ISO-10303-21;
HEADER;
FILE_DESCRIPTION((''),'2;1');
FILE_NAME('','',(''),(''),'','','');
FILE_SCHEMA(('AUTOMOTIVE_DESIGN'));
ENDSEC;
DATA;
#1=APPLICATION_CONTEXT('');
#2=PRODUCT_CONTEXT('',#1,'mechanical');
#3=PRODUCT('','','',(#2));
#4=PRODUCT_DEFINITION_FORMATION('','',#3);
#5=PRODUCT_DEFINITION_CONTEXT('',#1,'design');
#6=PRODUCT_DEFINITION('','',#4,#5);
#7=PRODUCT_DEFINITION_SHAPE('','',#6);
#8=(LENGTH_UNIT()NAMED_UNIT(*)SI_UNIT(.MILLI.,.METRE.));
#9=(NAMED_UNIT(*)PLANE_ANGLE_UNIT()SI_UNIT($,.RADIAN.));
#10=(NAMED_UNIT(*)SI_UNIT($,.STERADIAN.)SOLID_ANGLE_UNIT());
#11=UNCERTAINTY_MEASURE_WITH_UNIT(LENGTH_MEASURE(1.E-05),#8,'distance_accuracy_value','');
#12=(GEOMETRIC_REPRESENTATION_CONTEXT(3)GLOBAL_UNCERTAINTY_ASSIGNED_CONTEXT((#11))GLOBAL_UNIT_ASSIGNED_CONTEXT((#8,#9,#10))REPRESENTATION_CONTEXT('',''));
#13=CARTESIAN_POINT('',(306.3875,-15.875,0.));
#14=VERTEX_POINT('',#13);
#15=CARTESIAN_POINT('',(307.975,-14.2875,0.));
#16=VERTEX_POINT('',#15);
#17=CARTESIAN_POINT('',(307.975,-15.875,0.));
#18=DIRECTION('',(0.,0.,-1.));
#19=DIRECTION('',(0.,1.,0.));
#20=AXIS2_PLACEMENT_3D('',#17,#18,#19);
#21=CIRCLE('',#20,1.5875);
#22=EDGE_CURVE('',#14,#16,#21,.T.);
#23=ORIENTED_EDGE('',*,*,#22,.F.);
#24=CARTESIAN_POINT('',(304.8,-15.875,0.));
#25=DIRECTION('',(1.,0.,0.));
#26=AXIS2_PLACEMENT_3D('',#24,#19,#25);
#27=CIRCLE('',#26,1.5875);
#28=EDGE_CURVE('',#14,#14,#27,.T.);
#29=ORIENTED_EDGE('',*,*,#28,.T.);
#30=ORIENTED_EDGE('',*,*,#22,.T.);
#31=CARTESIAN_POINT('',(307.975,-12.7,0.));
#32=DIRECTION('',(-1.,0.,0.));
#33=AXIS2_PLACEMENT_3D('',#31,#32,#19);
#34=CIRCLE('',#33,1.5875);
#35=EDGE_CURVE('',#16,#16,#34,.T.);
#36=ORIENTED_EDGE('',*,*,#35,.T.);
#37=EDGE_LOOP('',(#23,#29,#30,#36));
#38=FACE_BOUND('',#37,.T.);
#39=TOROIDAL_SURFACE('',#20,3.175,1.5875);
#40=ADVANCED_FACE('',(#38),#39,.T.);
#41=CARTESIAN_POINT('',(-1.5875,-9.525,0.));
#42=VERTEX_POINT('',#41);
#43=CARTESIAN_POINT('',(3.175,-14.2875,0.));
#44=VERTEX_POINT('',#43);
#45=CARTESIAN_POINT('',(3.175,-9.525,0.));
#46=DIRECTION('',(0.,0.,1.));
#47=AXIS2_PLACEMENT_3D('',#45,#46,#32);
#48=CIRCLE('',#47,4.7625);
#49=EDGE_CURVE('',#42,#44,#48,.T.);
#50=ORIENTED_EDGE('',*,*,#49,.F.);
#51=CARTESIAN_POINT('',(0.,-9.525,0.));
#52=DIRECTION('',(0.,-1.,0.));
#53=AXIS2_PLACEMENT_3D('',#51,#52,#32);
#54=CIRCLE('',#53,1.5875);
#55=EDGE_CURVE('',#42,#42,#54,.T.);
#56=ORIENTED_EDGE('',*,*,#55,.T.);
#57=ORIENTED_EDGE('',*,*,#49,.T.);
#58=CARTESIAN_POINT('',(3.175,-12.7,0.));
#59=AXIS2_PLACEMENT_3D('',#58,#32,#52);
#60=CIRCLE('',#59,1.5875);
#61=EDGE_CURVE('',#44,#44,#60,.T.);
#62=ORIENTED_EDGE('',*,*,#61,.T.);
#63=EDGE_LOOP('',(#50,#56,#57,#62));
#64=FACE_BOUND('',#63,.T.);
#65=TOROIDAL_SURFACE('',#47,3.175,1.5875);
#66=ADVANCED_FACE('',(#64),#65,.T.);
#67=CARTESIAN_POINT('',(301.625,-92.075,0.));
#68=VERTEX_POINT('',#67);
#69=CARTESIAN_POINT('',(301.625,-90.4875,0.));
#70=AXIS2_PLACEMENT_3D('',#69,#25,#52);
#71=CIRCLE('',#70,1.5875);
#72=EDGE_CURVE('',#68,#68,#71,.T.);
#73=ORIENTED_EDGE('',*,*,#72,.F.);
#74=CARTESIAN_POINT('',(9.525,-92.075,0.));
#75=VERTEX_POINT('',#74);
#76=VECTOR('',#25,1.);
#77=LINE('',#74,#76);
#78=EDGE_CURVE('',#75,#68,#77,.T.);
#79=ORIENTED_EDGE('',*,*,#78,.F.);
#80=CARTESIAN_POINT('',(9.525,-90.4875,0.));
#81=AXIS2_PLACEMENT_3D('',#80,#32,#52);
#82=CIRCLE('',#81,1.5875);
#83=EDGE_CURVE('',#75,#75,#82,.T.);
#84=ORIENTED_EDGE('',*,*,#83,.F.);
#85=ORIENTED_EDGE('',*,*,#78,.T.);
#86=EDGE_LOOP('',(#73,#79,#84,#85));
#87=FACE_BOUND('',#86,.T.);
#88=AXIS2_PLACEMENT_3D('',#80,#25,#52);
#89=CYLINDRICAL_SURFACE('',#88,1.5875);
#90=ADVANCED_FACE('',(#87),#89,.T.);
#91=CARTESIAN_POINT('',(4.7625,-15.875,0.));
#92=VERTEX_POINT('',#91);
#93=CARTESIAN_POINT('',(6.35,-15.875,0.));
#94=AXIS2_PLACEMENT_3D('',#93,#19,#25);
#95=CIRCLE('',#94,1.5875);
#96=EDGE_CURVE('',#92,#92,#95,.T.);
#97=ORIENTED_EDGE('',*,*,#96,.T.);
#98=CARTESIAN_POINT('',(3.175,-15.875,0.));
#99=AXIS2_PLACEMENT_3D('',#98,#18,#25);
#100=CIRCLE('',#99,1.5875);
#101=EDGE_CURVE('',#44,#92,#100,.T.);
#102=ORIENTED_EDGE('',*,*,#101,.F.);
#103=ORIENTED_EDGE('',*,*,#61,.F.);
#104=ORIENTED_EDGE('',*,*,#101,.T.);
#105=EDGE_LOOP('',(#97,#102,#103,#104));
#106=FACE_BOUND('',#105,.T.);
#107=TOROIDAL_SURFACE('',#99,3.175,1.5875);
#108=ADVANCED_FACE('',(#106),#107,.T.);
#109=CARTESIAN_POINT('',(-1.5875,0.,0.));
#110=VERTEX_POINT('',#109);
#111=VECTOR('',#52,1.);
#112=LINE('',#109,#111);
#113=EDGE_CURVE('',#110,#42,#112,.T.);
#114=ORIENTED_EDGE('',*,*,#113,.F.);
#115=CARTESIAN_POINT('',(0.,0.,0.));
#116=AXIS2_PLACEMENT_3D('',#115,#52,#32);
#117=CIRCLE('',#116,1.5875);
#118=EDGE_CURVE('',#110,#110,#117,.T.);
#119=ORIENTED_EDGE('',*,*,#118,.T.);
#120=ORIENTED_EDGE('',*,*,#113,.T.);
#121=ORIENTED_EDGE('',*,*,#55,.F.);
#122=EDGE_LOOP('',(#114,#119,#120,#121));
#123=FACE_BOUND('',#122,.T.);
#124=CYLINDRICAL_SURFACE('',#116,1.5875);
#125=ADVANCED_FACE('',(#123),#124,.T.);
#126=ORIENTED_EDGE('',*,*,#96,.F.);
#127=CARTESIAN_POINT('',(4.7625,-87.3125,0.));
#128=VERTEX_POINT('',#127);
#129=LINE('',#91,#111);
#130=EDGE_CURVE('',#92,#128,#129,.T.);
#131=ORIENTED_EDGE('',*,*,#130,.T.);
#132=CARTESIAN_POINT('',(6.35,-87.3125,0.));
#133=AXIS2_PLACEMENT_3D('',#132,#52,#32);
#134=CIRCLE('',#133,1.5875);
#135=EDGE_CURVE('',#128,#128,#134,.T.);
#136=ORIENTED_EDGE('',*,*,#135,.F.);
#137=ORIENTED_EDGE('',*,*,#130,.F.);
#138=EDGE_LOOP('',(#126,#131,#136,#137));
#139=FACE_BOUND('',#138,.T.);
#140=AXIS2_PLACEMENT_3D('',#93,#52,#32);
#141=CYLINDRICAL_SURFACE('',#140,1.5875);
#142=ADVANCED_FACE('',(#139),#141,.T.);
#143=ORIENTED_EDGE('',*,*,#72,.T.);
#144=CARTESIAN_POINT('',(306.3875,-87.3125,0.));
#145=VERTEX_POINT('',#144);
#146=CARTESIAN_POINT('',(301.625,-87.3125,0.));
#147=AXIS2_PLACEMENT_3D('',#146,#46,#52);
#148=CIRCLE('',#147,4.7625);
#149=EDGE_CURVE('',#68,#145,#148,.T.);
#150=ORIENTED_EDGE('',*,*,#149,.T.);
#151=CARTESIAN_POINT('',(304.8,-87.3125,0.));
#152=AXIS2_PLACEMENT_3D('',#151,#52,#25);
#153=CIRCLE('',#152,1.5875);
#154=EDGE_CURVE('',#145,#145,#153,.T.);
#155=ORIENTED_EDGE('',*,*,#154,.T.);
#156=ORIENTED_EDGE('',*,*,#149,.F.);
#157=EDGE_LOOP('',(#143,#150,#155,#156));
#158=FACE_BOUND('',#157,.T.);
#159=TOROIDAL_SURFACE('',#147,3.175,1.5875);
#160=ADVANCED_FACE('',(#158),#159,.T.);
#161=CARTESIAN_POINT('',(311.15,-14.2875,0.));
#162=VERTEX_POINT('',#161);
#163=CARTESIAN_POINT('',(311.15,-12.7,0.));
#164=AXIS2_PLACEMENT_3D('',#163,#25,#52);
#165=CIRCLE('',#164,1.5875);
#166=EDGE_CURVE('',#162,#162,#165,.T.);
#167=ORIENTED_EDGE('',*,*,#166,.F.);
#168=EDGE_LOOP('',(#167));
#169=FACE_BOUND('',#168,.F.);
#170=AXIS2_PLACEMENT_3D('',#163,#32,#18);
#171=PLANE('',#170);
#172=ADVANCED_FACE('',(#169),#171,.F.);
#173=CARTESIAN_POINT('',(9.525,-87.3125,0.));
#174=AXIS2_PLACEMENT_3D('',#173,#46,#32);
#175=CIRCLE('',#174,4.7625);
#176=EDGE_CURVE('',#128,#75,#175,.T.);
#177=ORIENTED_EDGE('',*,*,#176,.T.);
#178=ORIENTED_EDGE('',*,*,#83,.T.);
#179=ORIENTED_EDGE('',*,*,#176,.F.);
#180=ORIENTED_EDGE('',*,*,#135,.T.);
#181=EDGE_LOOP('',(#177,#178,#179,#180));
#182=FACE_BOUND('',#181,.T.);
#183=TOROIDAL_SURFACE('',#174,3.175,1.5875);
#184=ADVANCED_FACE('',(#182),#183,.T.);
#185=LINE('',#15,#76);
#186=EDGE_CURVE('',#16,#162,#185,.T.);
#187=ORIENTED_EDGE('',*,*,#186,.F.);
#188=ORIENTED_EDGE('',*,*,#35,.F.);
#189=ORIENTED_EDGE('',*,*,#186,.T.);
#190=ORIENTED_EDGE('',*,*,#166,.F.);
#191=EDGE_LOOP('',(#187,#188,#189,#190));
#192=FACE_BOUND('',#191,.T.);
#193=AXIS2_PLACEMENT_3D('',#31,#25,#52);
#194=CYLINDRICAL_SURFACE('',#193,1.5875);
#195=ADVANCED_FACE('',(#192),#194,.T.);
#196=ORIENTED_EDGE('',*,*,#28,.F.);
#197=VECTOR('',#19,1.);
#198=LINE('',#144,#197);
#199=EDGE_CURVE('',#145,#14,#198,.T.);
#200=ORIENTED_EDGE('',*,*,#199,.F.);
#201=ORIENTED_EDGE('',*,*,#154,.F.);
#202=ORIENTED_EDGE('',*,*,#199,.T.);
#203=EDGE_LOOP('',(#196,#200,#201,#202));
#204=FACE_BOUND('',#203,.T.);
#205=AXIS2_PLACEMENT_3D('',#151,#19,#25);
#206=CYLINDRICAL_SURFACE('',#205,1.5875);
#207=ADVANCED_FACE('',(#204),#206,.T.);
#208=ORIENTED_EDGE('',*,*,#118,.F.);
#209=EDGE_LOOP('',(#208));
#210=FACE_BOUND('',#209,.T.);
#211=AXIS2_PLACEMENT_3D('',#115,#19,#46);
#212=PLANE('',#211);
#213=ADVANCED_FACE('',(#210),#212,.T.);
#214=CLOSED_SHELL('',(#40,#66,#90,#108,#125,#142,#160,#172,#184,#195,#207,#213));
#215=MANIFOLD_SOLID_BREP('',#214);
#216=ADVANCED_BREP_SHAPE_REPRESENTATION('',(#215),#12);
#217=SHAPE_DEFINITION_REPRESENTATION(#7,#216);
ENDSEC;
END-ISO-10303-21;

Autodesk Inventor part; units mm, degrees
ref_plane "YZ Plane" through (0, 0, 0) normal (1, 0, 0) x (0, 1, 0)
ref_plane "XZ Plane" through (0, 0, 0) normal (0, 1, 0) x (-1, 0, 0)
ref_plane "XY Plane" through (0, 0, 0) normal (0, 0, 1) x (1, 0, 0)
sketch "Sketch1" plane through (0, 0, 0) normal (0, 1, 0) x (-1, 0, 0)
  circle A0 centre (0, 0) radius 1.5875
  dimension "d0" = 3.175
sketch "Sketch2" plane through (0, 0, 0) normal (0, 0, 1) x (1, 0, 0)
  line L0 (0, 0) -> (0, -9.525)
  line L1 (3.175, -12.7) -> (3.175, -12.7)
  line L2 (6.35, -15.875) -> (6.35, -87.3125)
  line L3 (9.525, -90.4875) -> (301.625, -90.4875)
  line L4 (304.8, -87.3125) -> (304.8, -15.875)
  line L5 (307.975, -12.7) -> (311.15, -12.7)
  arc A0 (6.35, -15.875) -> (3.175, -12.7) centre (3.175, -15.875) ccw
  arc A1 (0, -9.525) -> (3.175, -12.7) centre (3.175, -9.525) ccw
  arc A2 (6.35, -87.3125) -> (9.525, -90.4875) centre (9.525, -87.3125) ccw
  arc A3 (301.625, -90.4875) -> (304.8, -87.3125) centre (301.625, -87.3125) ccw
  arc A4 (307.975, -12.7) -> (304.8, -15.875) centre (307.975, -15.875) ccw
  point P0 (0, -12.7)
  point P1 (6.35, -12.7)
  point P2 (6.35, -90.4875)
  point P3 (304.8, -90.4875)
  point P4 (304.8, -12.7)
  dimension "d1" = 12.7
  dimension "d2" = 6.35
  dimension "d3" = 77.7875
  dimension "d4" = 298.45
  dimension "d5" = 6.35
  dimension "d6" = 90
  dimension "d7" = 3.175
sweep "Sweep1" add profiles "Sketch1" path "Sketch2"
properties part number "wirePusher"
